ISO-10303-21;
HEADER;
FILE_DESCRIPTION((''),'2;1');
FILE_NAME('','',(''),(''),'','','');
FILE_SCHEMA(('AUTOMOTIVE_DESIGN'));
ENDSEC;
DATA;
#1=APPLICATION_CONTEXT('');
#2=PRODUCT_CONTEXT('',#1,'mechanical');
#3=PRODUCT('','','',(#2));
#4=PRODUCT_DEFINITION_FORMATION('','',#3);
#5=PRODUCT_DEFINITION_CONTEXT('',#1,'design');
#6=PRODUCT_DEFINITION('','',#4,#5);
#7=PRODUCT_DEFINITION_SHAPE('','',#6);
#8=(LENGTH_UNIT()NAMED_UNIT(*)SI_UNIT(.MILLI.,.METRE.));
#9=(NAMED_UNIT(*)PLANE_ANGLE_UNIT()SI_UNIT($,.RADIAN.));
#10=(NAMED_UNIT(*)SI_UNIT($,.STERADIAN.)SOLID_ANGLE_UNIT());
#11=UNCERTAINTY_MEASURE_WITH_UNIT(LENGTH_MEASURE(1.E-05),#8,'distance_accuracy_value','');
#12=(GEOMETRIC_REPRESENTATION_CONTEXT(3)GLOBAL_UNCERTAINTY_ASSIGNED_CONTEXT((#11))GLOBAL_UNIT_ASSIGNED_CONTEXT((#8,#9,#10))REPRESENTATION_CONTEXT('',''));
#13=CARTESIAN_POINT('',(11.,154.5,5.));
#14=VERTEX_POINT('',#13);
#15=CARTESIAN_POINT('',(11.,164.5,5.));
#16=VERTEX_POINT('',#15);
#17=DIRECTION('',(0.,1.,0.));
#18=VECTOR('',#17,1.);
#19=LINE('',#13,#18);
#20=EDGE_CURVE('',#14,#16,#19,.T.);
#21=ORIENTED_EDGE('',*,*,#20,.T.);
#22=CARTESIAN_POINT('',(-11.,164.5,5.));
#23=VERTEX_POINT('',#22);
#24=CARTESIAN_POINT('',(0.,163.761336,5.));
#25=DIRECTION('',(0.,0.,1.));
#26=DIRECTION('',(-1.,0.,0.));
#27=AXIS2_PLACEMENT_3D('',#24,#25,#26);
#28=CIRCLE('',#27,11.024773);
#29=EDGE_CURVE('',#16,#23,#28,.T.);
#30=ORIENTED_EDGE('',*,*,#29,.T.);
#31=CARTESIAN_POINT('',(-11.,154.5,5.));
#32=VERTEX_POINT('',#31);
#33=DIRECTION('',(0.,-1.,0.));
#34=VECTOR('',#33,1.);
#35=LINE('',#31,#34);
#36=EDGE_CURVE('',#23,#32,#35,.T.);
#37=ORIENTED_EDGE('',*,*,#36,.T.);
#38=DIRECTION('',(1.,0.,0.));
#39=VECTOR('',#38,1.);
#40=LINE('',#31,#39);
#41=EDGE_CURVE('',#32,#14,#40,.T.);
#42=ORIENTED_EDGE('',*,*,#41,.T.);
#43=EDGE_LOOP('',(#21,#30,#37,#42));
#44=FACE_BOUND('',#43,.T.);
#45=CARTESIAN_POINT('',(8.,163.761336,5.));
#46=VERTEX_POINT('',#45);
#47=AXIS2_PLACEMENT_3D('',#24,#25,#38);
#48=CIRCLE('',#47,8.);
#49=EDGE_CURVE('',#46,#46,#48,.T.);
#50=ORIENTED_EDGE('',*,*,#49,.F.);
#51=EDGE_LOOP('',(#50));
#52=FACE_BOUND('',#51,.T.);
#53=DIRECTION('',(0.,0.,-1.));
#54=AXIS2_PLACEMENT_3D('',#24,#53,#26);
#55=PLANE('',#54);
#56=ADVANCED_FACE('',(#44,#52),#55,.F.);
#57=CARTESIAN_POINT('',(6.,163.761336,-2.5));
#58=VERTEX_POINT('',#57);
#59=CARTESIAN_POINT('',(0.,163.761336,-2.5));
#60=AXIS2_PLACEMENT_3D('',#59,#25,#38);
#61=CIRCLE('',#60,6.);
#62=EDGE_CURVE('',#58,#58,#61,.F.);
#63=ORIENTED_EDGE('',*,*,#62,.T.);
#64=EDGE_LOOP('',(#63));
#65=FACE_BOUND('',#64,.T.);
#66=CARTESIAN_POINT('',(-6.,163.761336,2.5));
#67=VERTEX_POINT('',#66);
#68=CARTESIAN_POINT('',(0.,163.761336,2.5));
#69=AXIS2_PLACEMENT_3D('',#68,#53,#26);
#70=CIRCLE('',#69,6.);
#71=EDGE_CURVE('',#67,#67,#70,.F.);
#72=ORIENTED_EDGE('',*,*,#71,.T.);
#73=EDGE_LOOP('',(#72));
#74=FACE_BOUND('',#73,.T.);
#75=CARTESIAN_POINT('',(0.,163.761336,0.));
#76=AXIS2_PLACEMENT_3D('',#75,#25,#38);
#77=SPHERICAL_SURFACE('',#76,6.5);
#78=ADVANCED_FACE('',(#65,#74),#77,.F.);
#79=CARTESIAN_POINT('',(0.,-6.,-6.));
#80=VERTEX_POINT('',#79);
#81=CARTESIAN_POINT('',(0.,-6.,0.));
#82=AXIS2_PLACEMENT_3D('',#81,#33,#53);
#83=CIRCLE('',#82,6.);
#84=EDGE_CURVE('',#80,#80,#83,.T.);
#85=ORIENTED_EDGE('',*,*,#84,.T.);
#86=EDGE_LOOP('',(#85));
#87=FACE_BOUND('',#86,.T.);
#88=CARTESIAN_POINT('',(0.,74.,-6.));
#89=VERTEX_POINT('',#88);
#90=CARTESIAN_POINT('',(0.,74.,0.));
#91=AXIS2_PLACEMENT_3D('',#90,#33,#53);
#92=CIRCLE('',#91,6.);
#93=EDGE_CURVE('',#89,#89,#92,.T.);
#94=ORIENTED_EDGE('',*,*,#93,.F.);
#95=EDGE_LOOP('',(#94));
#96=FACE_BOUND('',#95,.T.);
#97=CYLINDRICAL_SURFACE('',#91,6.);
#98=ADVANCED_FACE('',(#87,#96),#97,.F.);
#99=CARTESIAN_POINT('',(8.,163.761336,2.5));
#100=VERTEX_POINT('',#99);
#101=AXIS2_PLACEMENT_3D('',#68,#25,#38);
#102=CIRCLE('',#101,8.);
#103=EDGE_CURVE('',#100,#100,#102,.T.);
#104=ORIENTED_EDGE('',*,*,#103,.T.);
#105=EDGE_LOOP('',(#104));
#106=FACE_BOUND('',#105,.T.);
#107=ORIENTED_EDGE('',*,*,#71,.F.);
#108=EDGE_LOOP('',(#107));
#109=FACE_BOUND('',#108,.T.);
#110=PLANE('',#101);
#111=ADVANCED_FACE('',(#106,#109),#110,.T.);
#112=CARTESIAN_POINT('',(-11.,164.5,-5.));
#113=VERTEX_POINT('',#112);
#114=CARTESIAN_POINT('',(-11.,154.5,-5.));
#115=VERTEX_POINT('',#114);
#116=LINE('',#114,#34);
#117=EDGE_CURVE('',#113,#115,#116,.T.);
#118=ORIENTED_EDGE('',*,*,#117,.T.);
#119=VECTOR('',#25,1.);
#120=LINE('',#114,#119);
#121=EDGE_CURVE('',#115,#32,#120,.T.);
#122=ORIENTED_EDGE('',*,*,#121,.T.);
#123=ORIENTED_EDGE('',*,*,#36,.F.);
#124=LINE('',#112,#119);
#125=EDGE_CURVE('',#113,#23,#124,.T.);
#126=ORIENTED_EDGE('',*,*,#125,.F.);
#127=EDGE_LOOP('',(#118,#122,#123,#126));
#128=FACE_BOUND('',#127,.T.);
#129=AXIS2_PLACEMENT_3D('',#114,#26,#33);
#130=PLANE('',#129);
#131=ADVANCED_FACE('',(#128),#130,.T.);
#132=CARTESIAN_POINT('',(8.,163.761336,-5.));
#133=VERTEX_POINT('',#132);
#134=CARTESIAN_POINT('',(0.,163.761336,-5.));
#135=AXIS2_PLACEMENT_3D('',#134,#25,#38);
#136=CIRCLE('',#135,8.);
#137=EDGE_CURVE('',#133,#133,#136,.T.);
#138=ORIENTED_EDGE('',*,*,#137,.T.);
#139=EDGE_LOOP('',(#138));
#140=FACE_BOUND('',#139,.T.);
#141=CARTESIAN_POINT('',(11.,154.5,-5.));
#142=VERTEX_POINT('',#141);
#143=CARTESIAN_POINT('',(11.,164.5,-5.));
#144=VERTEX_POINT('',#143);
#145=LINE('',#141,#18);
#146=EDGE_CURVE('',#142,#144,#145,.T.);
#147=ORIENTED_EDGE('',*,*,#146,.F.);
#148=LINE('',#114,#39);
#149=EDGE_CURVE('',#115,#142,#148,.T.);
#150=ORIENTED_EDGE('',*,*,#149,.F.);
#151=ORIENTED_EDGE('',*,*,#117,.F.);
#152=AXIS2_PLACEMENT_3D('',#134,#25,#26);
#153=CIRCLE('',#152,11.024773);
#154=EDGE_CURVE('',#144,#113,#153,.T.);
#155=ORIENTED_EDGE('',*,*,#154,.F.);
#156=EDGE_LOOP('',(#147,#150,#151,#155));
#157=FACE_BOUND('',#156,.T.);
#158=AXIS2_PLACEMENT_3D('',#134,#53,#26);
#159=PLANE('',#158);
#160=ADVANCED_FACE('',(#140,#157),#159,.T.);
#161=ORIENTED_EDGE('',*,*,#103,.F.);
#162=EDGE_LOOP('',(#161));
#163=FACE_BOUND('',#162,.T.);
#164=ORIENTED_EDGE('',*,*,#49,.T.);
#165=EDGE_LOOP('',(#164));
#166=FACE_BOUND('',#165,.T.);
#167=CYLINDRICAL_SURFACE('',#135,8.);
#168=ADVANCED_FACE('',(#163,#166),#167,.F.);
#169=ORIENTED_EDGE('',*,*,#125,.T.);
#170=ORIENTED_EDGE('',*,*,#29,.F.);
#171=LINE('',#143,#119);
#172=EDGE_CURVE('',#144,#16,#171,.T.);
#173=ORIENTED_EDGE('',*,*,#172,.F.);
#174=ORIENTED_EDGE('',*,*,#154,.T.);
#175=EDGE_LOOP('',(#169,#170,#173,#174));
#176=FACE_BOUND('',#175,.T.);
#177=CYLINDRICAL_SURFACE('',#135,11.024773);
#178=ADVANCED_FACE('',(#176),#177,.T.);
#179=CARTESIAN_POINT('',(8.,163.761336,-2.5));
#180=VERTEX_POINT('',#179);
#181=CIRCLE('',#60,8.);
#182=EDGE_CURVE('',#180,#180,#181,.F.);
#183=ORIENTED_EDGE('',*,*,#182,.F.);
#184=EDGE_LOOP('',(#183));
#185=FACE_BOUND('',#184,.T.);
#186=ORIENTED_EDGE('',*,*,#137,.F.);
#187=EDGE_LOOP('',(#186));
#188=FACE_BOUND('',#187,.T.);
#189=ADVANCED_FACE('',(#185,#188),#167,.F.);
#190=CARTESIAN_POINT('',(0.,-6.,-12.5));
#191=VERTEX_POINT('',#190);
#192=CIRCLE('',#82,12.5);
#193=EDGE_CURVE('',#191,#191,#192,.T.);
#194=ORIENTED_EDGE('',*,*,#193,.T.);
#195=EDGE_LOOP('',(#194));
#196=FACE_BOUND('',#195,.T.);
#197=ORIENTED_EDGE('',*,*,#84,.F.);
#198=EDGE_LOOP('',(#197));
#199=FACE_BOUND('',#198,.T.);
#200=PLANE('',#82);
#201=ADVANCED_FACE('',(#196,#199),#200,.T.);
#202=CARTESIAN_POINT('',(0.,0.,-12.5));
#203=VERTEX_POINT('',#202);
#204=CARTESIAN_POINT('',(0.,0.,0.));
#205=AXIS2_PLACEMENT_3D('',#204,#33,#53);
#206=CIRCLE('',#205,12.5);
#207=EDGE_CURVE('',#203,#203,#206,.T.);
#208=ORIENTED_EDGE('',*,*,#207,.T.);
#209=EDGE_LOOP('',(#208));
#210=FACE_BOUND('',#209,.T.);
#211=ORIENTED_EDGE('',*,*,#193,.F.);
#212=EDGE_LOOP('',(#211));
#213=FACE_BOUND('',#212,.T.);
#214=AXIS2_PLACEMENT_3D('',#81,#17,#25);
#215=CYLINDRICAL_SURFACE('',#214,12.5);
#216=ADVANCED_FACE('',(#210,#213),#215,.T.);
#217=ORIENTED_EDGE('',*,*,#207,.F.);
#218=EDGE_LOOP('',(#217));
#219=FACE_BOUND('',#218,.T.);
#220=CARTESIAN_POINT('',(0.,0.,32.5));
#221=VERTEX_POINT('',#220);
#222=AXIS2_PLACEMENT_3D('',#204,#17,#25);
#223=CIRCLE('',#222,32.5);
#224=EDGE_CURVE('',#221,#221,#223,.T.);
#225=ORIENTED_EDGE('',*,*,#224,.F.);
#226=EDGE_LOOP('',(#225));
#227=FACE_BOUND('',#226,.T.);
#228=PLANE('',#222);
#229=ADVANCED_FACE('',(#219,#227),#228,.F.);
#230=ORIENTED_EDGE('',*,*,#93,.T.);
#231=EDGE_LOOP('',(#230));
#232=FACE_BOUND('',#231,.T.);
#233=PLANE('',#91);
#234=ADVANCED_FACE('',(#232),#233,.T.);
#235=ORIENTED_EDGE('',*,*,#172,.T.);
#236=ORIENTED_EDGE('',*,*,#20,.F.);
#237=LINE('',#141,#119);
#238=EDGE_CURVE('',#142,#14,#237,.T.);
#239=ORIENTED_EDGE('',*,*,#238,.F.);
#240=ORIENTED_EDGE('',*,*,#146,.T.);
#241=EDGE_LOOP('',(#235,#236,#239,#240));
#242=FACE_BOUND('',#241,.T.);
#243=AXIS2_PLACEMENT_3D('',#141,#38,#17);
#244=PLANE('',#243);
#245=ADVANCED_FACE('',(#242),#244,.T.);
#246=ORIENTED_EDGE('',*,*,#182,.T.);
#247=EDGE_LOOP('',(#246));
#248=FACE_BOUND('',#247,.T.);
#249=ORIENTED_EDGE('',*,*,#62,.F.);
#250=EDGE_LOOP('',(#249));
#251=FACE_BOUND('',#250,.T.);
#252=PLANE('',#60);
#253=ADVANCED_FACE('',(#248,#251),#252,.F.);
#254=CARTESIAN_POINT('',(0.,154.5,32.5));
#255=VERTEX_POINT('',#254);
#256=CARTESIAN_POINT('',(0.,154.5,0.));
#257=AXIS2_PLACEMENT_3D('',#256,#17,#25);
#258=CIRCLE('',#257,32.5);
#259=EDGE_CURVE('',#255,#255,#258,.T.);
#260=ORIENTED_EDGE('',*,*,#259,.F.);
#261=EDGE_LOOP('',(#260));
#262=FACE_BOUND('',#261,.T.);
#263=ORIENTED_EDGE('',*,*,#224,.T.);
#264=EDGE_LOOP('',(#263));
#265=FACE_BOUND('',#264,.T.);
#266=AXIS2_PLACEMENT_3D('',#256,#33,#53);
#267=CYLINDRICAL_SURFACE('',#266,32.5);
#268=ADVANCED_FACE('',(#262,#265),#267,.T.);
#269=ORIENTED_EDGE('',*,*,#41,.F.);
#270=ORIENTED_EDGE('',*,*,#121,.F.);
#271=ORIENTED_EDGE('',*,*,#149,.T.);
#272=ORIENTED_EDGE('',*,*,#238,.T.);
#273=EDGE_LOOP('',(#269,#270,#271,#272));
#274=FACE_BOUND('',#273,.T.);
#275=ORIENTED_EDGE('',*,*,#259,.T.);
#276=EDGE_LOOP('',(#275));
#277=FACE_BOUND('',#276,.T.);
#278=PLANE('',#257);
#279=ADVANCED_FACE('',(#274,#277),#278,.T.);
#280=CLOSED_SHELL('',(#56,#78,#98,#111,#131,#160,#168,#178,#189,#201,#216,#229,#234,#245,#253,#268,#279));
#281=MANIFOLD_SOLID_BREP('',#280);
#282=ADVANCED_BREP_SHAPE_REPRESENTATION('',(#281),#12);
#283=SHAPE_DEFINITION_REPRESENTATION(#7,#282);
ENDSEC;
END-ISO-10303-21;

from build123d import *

# Parameters (mm, degrees)
SKETCH_1_R          = 32.5
EXTRUDE_1_DEPTH     = 154.5
SKETCH_2_R          = 12.5
EXTRUDE_2_DEPTH     = 6
SKETCH_3_R          = 6
CUT_EXTRUDE_1_DEPTH = 80
SKETCH_4_R          = 8
EXTRUDE_3_DEPTH     = 5
SKETCH_5_R          = 8
EXTRUDE_4_DEPTH     = 2.5
SKETCH_8_R          = 4
SKETCH_7_R          = 6
SKETCH_9_R          = 2.5
CUT_EXTRUDE_2_DEPTH = 31
SKETCH_10_R         = 6
CUT_EXTRUDE_3_DEPTH = 17


with BuildPart() as part:
    # 草图1 → 凸台-拉伸1 (new body)
    with BuildSketch(Plane(origin=(0, 0, 0), x_dir=(1, 0, 0), z_dir=(0, 1, 0))):
        with Locations(Location((0, 0, 0), (0, 0, 270))):
            Circle(SKETCH_1_R)
    extrude(amount=EXTRUDE_1_DEPTH)

    # 草图2 → 凸台-拉伸2 (add)
    with BuildSketch(Plane.XZ):
        with Locations(Location((0, 0, 0), (0, 0, 270))):
            Circle(SKETCH_2_R)
    extrude(amount=EXTRUDE_2_DEPTH)

    # 草图3 → 切除-拉伸1 (cut)
    with BuildSketch(Plane.XZ.offset(6)):
        with Locations(Location((0, 0, 0), (0, 0, 270))):
            Circle(SKETCH_3_R)
    extrude(amount=-CUT_EXTRUDE_1_DEPTH, mode=Mode.SUBTRACT)

    # 草图4 → 凸台-拉伸3 (add, symmetric)
    with BuildSketch(Plane.XY):
        with BuildLine():
            Line((-11, 154.5), (11, 154.5))
            Line((11, 154.5), (11, 164.5))
            ThreePointArc((11, 164.5), (0, 174.786108986), (-11, 164.5))
            Line((-11, 164.5), (-11, 154.5))
        make_face()
        with Locations((0, 163.761335751)):
            Circle(SKETCH_4_R, mode=Mode.SUBTRACT)
    extrude(amount=EXTRUDE_3_DEPTH, both=True)

    # 草图5 → 凸台-拉伸4 (add, symmetric)
    with BuildSketch(Plane.XY):
        with Locations((0, 163.761335751)):
            Circle(SKETCH_5_R)
    extrude(amount=EXTRUDE_4_DEPTH, both=True)

    # 草图8 → 放样1 section 0
    with BuildSketch(Plane.XY.offset(4.5)):
        with Locations((0, 163.761335751)):
            Circle(SKETCH_8_R)
    # 草图7 → 放样1 section 1
    with BuildSketch(Plane.XY.offset(2.5)):
        with Locations((0, 163.761335751)):
            Circle(SKETCH_7_R)
    loft_1 = loft()

    # 镜向1: 放样1 across plane
    add(loft_1.mirror(Plane.XY))

    # 草图9 → 切除-拉伸2 (cut)
    with BuildSketch(Plane.XY.offset(4.5)):
        with Locations(Location((0, 166.761335751, 0), (0, 0, 2.865983983))):
            Circle(SKETCH_9_R)
    extrude(amount=-CUT_EXTRUDE_2_DEPTH, mode=Mode.SUBTRACT)

    # 草图10 → 切除-拉伸3 (cut)
    with BuildSketch(Plane.XY.offset(4.5)):
        with Locations((0, 163.761335751)):
            Circle(SKETCH_10_R)
    extrude(amount=-CUT_EXTRUDE_3_DEPTH, mode=Mode.SUBTRACT)

    # 草图11 → 切除-旋转1 (revolve, cut)
    with BuildSketch(Plane.XY):
        with BuildLine():
            Line((0, 170.261335751), (0, 157.261335751))
            ThreePointArc((0, 157.261335751), (6.5, 163.761335751), (0, 170.261335751))
        make_face()
    revolve(axis=Axis((0, 170.261335751, 0), (0, -1, 0)), mode=Mode.SUBTRACT)


solid = part.part
